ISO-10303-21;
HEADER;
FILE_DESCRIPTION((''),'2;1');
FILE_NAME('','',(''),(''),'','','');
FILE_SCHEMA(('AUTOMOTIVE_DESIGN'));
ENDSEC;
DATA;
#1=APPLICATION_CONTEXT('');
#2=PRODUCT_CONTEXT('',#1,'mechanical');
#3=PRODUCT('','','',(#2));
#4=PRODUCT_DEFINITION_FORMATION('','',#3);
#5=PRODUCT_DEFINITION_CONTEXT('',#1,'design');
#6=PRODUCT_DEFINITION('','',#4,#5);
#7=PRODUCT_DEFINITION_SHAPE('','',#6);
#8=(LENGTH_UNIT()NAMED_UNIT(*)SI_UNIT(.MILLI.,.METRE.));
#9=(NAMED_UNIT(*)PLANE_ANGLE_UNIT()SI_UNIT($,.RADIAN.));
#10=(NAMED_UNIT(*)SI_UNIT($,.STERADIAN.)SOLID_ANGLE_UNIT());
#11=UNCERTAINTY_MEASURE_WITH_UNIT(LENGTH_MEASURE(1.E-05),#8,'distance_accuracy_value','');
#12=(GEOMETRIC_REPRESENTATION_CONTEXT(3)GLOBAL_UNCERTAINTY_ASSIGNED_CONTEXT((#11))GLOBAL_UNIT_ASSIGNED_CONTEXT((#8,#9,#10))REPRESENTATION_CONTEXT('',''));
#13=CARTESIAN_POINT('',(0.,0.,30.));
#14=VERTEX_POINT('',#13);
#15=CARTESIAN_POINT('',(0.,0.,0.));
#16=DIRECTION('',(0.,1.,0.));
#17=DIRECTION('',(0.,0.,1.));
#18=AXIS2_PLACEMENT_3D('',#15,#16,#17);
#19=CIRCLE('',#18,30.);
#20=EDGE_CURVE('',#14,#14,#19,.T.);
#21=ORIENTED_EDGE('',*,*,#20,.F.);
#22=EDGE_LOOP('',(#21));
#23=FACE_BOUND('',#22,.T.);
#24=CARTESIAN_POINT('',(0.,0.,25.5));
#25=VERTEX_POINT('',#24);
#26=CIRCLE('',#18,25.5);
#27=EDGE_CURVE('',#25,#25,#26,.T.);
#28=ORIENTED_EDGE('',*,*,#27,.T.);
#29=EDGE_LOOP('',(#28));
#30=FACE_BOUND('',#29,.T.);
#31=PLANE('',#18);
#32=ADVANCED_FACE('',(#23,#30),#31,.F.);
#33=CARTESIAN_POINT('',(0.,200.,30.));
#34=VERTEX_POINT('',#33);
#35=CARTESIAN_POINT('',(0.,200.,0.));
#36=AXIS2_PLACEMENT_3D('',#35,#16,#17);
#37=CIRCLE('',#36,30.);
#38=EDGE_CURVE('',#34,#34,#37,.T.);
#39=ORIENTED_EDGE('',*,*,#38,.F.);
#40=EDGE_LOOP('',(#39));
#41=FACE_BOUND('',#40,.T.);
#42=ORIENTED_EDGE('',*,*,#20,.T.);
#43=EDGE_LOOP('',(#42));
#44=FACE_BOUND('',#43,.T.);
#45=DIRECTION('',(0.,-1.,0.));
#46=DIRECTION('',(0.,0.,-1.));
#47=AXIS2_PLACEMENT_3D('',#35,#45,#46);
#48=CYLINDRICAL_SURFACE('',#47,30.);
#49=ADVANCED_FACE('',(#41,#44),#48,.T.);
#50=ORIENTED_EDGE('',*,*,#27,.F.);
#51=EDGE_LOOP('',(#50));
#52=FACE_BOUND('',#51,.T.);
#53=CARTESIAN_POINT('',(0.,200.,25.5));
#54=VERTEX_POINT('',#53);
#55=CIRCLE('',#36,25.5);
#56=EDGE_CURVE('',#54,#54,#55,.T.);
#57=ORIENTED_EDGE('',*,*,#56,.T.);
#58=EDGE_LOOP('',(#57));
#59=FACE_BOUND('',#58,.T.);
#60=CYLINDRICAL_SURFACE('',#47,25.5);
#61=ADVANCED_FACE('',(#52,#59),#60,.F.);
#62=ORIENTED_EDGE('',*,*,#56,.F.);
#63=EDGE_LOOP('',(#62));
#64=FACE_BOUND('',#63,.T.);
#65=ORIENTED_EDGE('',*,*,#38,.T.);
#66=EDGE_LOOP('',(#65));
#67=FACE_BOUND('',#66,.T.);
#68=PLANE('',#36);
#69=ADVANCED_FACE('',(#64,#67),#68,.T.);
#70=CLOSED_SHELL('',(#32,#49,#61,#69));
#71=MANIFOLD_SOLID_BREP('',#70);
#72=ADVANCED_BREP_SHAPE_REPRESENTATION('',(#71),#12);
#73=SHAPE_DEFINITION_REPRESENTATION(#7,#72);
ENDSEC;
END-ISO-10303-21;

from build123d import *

# Parameters (mm, degrees)
SKETCH_1_R      = 30
SKETCH_1_R_2    = 25.5
EXTRUDE_1_DEPTH = 200


with BuildPart() as part:
    # 스케치1 → 보스-돌출1 (new body)
    with BuildSketch(Plane(origin=(0, 0, 0), x_dir=(1, 0, 0), z_dir=(0, 1, 0))):
        with Locations(Location((0, 0, 0), (0, 0, 270))):
            Circle(SKETCH_1_R)
        with Locations(Location((0, 0, 0), (0, 0, 270))):
            Circle(SKETCH_1_R_2, mode=Mode.SUBTRACT)
    extrude(amount=EXTRUDE_1_DEPTH)


solid = part.part
